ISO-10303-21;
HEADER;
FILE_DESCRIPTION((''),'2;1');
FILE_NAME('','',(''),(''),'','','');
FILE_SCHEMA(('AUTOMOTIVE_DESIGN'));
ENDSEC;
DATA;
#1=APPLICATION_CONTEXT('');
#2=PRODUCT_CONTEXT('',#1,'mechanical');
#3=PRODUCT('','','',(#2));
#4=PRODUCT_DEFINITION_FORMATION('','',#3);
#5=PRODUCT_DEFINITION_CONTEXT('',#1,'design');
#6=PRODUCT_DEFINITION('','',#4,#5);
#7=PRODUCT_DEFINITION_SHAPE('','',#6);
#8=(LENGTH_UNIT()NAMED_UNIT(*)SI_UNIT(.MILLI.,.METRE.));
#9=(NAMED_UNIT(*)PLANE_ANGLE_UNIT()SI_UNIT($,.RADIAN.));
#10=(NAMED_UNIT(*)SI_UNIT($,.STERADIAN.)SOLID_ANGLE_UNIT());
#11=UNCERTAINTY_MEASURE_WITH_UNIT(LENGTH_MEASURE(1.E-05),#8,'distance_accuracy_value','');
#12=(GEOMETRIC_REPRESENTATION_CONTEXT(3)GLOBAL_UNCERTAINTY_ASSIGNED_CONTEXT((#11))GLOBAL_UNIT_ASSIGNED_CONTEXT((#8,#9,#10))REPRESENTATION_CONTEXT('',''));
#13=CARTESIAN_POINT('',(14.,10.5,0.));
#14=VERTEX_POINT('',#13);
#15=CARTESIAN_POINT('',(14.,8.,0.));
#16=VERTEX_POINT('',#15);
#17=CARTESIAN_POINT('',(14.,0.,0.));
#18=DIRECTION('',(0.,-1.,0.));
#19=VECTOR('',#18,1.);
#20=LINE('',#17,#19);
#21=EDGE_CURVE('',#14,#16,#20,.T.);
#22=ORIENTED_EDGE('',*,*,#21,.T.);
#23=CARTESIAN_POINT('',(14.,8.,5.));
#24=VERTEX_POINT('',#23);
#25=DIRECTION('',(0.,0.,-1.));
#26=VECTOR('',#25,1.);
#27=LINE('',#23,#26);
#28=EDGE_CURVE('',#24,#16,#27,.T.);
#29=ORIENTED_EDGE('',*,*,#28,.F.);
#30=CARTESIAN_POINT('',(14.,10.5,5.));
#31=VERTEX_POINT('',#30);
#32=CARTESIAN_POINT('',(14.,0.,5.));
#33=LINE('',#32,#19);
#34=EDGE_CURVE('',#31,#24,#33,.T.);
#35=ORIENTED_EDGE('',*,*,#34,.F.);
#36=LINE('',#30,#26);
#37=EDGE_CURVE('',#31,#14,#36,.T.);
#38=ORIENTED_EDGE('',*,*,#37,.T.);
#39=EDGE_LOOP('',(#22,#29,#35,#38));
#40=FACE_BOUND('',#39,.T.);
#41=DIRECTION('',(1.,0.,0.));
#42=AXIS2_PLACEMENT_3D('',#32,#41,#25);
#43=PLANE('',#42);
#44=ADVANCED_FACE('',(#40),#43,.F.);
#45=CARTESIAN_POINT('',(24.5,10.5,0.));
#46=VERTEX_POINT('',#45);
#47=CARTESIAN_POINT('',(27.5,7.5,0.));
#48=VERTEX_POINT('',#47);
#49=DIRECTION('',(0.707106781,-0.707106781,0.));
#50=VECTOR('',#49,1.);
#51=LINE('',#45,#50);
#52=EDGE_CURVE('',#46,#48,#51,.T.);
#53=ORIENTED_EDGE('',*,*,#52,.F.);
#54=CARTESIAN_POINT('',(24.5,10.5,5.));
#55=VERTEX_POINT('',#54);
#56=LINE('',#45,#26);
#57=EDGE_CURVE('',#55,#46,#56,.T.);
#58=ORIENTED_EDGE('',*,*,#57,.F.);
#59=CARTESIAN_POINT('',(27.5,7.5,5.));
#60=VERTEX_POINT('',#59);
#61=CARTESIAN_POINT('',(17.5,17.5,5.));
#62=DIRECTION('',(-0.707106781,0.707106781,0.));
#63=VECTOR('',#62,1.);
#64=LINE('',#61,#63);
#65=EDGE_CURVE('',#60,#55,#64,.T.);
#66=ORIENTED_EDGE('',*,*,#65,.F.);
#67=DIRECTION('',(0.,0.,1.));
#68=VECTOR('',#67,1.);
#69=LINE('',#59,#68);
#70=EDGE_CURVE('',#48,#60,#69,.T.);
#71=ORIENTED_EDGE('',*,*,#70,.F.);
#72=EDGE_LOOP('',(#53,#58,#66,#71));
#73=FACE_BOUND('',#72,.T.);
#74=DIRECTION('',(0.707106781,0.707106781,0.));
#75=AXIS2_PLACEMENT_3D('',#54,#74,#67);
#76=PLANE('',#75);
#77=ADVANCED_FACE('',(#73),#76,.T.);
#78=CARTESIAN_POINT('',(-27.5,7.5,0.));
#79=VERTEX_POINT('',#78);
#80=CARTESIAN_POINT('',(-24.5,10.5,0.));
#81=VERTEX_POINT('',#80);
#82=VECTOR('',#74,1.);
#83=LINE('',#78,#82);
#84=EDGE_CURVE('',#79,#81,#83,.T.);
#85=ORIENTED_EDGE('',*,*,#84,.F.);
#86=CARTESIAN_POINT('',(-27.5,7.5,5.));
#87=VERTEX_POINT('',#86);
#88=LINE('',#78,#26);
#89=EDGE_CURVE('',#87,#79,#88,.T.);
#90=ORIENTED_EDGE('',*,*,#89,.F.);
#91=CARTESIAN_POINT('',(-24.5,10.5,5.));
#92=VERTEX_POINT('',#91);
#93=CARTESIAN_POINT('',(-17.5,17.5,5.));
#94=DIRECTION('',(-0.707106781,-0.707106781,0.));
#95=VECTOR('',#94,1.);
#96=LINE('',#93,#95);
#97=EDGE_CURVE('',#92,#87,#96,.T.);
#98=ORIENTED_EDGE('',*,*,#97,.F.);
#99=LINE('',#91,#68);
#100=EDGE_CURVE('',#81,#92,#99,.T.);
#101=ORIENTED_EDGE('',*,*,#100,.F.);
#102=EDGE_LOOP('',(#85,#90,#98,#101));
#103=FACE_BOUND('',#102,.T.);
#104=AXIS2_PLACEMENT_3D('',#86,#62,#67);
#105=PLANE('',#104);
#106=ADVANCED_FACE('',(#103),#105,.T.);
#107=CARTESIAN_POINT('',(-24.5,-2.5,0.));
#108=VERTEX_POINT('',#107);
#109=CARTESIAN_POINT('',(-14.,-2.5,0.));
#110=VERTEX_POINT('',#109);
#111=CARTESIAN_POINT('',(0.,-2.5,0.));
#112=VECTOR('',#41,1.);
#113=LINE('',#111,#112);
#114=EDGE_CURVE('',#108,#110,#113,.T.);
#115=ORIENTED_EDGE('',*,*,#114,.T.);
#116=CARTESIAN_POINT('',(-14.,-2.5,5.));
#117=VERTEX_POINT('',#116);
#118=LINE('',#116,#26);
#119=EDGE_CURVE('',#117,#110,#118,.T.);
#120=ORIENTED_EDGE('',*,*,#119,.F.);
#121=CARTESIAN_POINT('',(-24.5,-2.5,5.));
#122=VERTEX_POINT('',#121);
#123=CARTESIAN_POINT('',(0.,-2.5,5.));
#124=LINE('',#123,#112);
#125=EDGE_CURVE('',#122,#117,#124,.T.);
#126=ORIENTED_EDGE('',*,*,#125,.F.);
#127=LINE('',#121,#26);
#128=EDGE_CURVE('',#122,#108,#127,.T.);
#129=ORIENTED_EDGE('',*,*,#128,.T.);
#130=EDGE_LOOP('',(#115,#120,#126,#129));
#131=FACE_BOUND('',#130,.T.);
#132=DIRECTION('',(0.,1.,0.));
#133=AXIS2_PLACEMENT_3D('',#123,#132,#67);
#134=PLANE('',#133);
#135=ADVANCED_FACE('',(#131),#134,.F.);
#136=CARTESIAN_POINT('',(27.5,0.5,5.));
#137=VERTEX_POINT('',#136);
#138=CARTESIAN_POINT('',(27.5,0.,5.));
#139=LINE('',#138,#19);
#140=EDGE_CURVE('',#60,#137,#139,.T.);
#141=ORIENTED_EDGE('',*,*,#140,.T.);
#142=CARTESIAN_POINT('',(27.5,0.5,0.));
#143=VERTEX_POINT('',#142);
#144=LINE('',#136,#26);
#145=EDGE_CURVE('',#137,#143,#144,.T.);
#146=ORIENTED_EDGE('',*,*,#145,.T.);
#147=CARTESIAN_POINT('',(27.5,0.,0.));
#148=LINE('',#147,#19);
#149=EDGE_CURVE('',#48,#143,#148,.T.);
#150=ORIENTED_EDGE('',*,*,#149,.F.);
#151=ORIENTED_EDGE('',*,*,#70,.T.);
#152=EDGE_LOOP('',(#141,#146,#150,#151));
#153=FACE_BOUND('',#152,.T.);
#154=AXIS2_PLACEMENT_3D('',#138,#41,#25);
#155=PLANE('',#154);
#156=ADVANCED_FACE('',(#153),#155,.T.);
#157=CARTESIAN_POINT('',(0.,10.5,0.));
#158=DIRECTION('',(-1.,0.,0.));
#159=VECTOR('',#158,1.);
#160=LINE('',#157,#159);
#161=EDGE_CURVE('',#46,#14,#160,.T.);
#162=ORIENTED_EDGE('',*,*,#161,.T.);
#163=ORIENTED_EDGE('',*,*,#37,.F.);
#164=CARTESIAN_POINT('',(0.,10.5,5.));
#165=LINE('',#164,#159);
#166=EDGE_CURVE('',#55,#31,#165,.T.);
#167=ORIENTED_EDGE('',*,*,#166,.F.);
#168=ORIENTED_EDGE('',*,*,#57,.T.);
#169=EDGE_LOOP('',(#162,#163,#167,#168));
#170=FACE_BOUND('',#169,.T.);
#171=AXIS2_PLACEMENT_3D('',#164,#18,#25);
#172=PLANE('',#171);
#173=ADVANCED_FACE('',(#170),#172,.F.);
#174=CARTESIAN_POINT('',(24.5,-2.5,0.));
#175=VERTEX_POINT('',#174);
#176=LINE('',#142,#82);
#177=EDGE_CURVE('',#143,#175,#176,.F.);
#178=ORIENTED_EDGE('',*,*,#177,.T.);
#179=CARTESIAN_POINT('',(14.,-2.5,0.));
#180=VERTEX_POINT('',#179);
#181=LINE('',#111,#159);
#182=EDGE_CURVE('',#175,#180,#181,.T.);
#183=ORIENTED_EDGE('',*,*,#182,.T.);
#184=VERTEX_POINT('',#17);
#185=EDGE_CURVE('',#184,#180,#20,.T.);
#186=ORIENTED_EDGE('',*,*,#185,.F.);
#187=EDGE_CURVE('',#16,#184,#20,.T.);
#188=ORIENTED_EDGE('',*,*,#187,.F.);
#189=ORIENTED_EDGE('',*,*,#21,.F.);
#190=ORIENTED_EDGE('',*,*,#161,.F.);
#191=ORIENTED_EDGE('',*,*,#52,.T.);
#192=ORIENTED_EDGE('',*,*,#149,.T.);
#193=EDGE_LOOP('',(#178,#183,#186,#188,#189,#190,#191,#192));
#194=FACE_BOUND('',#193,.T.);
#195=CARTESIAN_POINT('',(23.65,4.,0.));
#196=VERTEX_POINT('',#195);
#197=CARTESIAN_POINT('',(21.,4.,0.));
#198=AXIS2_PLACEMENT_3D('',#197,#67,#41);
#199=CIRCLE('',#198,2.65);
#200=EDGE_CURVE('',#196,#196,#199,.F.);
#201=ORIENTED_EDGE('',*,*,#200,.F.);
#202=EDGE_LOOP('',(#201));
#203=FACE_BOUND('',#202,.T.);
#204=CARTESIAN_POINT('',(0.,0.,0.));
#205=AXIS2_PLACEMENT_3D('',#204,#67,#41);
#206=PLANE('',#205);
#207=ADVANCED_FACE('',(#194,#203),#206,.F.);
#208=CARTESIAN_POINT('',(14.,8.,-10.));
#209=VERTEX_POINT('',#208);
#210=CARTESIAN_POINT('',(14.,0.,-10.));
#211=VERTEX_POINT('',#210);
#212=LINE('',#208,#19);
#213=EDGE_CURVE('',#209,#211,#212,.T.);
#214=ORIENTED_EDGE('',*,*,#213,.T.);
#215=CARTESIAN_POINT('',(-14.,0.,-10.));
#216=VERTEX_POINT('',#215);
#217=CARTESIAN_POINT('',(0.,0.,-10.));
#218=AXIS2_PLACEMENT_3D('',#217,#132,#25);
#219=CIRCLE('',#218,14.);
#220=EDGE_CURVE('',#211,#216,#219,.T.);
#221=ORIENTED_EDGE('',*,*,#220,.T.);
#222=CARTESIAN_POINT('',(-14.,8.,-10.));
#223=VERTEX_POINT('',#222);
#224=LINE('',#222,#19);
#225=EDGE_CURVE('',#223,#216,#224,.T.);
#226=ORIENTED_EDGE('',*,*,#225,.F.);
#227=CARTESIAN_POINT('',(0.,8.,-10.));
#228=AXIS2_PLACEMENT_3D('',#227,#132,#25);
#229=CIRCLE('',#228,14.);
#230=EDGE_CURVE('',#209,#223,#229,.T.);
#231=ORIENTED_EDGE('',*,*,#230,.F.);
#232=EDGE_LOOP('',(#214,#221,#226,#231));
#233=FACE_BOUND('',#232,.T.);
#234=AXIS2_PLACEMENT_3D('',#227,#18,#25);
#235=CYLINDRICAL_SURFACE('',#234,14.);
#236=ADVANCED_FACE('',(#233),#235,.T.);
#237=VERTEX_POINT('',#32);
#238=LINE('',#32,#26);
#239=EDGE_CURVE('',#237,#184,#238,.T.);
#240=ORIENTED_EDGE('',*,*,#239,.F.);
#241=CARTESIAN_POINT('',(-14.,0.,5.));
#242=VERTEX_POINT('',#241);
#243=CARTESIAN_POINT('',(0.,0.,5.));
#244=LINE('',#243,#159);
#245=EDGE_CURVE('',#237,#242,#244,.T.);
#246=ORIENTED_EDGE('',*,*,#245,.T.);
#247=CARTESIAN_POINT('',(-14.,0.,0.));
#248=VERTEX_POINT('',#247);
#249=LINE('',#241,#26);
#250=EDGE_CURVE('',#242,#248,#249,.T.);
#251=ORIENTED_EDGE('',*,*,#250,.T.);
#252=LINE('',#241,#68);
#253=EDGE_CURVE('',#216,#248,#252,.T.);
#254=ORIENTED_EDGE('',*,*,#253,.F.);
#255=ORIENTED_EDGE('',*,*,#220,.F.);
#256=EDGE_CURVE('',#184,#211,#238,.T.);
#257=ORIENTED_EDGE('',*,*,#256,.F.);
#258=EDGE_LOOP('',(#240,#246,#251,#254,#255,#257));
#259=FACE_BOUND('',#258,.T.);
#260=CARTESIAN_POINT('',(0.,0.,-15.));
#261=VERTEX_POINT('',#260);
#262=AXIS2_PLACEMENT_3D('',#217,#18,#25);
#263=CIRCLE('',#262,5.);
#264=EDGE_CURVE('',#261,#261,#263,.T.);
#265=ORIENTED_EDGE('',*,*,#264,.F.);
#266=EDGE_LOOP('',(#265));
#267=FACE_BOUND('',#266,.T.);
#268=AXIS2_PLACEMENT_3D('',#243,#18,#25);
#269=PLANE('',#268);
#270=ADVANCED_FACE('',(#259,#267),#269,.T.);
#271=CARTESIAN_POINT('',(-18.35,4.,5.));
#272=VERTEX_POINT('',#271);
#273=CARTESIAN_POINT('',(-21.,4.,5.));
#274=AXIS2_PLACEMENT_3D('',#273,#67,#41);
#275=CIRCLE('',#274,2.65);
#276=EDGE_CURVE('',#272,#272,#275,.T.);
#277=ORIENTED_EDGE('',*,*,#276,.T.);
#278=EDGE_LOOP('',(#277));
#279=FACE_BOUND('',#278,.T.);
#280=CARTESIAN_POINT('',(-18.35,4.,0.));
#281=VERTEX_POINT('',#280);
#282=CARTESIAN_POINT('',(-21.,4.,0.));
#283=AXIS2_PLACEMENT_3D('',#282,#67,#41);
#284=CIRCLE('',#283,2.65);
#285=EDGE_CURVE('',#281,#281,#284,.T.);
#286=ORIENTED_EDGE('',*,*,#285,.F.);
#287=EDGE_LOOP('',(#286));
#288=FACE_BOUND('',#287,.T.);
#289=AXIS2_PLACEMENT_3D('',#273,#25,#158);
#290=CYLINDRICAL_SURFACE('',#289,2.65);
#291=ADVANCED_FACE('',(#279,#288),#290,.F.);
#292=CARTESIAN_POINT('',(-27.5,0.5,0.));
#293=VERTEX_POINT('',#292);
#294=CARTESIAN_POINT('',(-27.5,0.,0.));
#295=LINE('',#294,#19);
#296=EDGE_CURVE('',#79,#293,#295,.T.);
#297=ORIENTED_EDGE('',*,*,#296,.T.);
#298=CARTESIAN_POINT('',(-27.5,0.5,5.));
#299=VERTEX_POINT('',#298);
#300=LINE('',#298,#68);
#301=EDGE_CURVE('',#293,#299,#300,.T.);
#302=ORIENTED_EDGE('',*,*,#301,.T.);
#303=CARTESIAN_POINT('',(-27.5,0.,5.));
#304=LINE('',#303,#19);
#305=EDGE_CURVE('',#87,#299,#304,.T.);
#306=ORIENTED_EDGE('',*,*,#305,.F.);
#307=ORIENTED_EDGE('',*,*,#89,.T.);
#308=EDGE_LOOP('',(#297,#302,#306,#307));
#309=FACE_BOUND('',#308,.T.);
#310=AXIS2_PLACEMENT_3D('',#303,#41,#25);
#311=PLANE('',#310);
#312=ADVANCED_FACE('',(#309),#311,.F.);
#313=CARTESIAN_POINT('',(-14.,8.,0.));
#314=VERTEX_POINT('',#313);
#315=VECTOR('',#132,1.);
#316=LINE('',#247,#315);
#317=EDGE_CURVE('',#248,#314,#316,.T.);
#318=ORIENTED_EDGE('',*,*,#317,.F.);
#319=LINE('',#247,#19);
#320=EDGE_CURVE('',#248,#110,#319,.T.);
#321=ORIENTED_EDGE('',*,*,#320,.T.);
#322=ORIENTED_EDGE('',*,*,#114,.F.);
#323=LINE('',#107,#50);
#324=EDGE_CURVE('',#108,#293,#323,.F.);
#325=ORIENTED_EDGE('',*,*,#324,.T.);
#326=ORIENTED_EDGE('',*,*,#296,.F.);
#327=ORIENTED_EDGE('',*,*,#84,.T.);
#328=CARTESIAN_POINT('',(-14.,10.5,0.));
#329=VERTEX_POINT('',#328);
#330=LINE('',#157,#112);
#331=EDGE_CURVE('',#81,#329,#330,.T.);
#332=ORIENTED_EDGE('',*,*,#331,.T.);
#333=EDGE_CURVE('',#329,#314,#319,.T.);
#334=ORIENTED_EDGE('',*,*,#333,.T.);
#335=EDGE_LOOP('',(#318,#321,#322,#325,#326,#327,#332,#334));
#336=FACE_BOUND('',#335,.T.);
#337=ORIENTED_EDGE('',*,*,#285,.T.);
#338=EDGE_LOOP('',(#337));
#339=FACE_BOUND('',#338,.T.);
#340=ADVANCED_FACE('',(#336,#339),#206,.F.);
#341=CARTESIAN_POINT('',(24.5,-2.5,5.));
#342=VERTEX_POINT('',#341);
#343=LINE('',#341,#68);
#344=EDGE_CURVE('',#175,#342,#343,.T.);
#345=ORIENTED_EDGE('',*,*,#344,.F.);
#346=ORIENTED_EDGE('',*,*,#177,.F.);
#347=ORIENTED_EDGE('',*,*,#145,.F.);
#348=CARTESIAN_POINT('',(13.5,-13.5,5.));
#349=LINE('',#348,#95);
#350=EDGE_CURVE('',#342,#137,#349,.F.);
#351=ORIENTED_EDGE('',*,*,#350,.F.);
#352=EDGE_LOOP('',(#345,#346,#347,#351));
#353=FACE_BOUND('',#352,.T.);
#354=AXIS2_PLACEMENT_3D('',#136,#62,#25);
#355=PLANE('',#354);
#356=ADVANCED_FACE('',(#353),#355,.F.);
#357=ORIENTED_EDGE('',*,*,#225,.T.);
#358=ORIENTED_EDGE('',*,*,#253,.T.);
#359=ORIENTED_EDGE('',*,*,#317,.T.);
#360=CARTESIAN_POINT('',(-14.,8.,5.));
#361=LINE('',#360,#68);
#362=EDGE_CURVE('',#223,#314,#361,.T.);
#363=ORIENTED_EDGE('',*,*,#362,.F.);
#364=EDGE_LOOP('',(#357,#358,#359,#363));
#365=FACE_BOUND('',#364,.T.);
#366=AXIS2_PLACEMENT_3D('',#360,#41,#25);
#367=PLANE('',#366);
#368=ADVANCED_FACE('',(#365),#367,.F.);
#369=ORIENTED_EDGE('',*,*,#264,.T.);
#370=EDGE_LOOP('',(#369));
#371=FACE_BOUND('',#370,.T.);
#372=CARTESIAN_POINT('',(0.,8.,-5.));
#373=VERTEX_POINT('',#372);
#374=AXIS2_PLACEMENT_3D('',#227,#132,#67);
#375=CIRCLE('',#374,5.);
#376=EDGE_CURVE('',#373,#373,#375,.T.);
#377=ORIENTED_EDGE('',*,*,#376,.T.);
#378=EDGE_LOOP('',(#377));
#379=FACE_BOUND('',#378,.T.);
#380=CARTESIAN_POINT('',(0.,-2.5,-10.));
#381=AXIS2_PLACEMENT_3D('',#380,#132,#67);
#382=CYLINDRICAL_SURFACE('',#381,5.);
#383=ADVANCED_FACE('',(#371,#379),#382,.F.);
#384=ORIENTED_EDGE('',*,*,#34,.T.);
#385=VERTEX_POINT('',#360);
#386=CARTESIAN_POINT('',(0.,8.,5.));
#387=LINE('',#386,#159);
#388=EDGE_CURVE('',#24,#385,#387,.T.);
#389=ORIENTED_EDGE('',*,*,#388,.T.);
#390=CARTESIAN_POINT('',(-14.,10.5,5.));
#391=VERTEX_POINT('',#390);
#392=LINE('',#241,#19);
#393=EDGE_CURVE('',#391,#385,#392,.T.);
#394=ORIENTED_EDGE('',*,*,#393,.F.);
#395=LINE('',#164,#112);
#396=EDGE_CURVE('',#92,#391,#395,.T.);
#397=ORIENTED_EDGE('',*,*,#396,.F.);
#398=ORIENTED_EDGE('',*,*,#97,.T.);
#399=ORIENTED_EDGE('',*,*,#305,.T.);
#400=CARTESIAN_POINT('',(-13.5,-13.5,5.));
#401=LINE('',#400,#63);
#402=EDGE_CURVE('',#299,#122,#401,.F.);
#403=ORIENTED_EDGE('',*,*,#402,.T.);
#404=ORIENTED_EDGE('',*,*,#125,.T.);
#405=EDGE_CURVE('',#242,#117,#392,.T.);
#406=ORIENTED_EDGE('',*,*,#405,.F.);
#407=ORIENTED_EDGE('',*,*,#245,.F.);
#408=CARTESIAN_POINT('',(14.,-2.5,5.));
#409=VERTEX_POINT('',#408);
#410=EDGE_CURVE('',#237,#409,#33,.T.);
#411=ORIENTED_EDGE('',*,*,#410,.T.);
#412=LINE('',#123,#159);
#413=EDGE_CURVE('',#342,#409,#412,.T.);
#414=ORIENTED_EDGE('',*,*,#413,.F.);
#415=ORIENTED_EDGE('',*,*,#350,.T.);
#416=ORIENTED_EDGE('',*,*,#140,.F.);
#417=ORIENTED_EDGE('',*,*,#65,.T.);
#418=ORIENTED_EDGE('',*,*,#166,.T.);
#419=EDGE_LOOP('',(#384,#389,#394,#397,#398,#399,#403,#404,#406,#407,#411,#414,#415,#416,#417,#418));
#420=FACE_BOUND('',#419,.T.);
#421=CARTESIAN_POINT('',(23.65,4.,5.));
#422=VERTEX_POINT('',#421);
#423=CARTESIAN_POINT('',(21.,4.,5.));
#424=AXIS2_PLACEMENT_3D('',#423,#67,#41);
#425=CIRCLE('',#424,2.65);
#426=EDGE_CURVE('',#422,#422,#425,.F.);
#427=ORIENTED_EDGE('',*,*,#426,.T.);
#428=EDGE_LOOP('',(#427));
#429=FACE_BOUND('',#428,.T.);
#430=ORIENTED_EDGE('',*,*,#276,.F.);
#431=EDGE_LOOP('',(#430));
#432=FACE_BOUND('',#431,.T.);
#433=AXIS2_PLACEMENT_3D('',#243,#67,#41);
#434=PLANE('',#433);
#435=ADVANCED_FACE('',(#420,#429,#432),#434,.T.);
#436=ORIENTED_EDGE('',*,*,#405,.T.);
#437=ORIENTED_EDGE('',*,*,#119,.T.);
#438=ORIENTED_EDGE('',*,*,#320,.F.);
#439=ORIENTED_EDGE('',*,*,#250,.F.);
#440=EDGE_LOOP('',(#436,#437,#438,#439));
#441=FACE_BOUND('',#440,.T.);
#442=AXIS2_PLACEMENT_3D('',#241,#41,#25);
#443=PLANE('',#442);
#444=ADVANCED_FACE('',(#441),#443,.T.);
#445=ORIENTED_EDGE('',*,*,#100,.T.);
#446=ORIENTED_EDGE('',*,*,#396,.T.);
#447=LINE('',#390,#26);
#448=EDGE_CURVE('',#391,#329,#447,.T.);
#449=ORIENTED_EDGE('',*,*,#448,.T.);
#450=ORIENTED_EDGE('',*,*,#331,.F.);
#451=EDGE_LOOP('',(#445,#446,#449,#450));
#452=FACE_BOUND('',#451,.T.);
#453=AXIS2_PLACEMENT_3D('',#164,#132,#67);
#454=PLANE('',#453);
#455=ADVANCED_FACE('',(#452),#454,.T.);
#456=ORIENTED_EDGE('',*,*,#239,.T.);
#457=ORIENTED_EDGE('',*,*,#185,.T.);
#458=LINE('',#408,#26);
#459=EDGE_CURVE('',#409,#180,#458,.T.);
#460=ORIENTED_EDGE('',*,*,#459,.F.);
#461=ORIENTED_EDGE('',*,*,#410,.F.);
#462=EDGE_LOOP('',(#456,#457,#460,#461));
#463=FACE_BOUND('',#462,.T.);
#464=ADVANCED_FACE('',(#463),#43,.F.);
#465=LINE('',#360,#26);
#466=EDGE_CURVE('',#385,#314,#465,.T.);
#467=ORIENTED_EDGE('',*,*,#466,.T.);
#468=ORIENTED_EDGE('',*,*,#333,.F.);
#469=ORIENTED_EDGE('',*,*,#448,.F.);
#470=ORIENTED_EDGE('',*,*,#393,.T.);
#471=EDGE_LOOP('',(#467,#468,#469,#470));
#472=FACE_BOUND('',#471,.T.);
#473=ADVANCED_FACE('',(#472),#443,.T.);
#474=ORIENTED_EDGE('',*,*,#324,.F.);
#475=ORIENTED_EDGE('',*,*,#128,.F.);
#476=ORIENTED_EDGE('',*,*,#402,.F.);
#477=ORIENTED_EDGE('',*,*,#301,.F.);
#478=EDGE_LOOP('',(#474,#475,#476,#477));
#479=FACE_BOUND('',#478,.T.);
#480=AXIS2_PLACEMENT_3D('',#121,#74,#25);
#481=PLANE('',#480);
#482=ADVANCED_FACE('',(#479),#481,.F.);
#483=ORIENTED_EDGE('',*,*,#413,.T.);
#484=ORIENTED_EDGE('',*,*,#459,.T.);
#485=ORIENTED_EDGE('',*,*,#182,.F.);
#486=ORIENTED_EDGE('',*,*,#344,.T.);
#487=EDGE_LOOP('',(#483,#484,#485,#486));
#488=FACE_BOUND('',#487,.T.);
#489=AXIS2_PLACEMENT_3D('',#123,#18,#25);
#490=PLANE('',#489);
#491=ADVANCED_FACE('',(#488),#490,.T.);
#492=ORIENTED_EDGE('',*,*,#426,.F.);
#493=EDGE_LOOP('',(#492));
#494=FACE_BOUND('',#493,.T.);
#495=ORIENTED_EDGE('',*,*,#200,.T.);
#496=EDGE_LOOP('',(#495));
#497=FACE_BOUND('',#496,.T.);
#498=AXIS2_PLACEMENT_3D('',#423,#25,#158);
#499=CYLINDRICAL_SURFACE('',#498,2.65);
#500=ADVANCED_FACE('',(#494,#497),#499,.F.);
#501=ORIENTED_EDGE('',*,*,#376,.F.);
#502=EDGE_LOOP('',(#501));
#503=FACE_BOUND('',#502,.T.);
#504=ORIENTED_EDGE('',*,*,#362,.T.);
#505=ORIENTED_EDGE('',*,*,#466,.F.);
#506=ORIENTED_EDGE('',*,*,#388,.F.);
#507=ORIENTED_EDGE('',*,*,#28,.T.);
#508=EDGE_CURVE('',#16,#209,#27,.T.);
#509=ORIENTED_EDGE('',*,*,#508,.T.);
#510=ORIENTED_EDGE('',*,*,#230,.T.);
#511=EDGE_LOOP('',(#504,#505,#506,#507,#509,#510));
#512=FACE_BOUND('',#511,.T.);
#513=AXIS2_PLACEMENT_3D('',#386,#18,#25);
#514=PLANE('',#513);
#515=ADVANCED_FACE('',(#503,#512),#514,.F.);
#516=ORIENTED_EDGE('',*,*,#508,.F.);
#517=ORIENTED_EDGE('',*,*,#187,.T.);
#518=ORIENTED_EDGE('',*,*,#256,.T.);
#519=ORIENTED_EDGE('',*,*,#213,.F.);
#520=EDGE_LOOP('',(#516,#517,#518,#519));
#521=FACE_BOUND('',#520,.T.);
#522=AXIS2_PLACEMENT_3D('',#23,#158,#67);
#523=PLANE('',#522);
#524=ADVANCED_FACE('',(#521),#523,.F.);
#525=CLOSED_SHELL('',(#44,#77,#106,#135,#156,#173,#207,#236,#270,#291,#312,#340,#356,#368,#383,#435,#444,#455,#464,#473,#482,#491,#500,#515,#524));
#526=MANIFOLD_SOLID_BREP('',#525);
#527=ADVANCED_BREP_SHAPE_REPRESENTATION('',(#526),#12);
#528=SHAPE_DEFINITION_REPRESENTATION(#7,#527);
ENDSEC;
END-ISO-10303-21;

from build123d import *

# Parameters (mm, degrees)
SKETCH1_R           = 2.65
SKETCH1_W           = 1
SKETCH1_H           = 8
SKETCH1_W_2         = 14
BOSS_EXTRUDE1_DEPTH = 5
CHAMFER1_SIZE       = 3
BOSS_EXTRUDE2_DEPTH = 4
SKETCH3_R           = 5
CUT_EXTRUDE1_DEPTH  = 11.5


with BuildPart() as part:
    # Sketch1 → Boss-Extrude1 (new body)
    with BuildSketch(Plane.XY):
        Polygon((-14, -2.5), (-14, 0), (-15, 0), (-15, 8), (-14, 8), (-14, 10.5), (-27.5, 10.5), (-27.5, -2.5), align=None)
        with Locations((-21, 4)):
            Circle(SKETCH1_R, mode=Mode.SUBTRACT)
        with Locations((-14.5, 4)):
            Rectangle(SKETCH1_W, SKETCH1_H)
        with Locations((-7, 4)):
            Rectangle(SKETCH1_W_2, SKETCH1_H)
        with Locations((7, 4)):
            Rectangle(SKETCH1_W_2, SKETCH1_H)
        with Locations((14.5, 4)):
            Rectangle(SKETCH1_W, SKETCH1_H)
        Polygon((15, 8), (15, 0), (14, 0), (14, -2.5), (27.5, -2.5), (27.5, 10.5), (14, 10.5), (14, 8), align=None)
        with Locations((21, 4)):
            Circle(SKETCH1_R, mode=Mode.SUBTRACT)
    extrude(amount=BOSS_EXTRUDE1_DEPTH)

    # Chamfer1
    chamfer1_edges = [part.edges().sort_by_distance(p)[0] for p in [
        (27.5, 10.5, 2.5),
        (27.5, -2.5, 2.5),
        (-27.5, -2.5, 2.5),
        (-27.5, 10.5, 2.5),
    ]]
    chamfer(chamfer1_edges, length=CHAMFER1_SIZE)

    # Sketch2 → Boss-Extrude2 (add, symmetric)
    with BuildSketch(Plane(origin=(0, 4, 0), x_dir=(1, 0, 0), z_dir=(0, 1, 0))):
        with BuildLine():
            Line((-14, -5), (-14, 10))
            ThreePointArc((-14, 10), (0, 24), (14, 10))
            Line((14, 10), (14, -5))
            Line((14, -5), (-14, -5))
        make_face()
    extrude(amount=BOSS_EXTRUDE2_DEPTH, both=True)

    # Sketch3 → Cut-Extrude1 (cut, through all)
    with BuildSketch(Plane(origin=(0, 8, 0), x_dir=(1, 0, 0), z_dir=(0, 1, 0))):
        with Locations((0, 10)):
            Circle(SKETCH3_R)
    extrude(amount=-CUT_EXTRUDE1_DEPTH, mode=Mode.SUBTRACT)


solid = part.part
